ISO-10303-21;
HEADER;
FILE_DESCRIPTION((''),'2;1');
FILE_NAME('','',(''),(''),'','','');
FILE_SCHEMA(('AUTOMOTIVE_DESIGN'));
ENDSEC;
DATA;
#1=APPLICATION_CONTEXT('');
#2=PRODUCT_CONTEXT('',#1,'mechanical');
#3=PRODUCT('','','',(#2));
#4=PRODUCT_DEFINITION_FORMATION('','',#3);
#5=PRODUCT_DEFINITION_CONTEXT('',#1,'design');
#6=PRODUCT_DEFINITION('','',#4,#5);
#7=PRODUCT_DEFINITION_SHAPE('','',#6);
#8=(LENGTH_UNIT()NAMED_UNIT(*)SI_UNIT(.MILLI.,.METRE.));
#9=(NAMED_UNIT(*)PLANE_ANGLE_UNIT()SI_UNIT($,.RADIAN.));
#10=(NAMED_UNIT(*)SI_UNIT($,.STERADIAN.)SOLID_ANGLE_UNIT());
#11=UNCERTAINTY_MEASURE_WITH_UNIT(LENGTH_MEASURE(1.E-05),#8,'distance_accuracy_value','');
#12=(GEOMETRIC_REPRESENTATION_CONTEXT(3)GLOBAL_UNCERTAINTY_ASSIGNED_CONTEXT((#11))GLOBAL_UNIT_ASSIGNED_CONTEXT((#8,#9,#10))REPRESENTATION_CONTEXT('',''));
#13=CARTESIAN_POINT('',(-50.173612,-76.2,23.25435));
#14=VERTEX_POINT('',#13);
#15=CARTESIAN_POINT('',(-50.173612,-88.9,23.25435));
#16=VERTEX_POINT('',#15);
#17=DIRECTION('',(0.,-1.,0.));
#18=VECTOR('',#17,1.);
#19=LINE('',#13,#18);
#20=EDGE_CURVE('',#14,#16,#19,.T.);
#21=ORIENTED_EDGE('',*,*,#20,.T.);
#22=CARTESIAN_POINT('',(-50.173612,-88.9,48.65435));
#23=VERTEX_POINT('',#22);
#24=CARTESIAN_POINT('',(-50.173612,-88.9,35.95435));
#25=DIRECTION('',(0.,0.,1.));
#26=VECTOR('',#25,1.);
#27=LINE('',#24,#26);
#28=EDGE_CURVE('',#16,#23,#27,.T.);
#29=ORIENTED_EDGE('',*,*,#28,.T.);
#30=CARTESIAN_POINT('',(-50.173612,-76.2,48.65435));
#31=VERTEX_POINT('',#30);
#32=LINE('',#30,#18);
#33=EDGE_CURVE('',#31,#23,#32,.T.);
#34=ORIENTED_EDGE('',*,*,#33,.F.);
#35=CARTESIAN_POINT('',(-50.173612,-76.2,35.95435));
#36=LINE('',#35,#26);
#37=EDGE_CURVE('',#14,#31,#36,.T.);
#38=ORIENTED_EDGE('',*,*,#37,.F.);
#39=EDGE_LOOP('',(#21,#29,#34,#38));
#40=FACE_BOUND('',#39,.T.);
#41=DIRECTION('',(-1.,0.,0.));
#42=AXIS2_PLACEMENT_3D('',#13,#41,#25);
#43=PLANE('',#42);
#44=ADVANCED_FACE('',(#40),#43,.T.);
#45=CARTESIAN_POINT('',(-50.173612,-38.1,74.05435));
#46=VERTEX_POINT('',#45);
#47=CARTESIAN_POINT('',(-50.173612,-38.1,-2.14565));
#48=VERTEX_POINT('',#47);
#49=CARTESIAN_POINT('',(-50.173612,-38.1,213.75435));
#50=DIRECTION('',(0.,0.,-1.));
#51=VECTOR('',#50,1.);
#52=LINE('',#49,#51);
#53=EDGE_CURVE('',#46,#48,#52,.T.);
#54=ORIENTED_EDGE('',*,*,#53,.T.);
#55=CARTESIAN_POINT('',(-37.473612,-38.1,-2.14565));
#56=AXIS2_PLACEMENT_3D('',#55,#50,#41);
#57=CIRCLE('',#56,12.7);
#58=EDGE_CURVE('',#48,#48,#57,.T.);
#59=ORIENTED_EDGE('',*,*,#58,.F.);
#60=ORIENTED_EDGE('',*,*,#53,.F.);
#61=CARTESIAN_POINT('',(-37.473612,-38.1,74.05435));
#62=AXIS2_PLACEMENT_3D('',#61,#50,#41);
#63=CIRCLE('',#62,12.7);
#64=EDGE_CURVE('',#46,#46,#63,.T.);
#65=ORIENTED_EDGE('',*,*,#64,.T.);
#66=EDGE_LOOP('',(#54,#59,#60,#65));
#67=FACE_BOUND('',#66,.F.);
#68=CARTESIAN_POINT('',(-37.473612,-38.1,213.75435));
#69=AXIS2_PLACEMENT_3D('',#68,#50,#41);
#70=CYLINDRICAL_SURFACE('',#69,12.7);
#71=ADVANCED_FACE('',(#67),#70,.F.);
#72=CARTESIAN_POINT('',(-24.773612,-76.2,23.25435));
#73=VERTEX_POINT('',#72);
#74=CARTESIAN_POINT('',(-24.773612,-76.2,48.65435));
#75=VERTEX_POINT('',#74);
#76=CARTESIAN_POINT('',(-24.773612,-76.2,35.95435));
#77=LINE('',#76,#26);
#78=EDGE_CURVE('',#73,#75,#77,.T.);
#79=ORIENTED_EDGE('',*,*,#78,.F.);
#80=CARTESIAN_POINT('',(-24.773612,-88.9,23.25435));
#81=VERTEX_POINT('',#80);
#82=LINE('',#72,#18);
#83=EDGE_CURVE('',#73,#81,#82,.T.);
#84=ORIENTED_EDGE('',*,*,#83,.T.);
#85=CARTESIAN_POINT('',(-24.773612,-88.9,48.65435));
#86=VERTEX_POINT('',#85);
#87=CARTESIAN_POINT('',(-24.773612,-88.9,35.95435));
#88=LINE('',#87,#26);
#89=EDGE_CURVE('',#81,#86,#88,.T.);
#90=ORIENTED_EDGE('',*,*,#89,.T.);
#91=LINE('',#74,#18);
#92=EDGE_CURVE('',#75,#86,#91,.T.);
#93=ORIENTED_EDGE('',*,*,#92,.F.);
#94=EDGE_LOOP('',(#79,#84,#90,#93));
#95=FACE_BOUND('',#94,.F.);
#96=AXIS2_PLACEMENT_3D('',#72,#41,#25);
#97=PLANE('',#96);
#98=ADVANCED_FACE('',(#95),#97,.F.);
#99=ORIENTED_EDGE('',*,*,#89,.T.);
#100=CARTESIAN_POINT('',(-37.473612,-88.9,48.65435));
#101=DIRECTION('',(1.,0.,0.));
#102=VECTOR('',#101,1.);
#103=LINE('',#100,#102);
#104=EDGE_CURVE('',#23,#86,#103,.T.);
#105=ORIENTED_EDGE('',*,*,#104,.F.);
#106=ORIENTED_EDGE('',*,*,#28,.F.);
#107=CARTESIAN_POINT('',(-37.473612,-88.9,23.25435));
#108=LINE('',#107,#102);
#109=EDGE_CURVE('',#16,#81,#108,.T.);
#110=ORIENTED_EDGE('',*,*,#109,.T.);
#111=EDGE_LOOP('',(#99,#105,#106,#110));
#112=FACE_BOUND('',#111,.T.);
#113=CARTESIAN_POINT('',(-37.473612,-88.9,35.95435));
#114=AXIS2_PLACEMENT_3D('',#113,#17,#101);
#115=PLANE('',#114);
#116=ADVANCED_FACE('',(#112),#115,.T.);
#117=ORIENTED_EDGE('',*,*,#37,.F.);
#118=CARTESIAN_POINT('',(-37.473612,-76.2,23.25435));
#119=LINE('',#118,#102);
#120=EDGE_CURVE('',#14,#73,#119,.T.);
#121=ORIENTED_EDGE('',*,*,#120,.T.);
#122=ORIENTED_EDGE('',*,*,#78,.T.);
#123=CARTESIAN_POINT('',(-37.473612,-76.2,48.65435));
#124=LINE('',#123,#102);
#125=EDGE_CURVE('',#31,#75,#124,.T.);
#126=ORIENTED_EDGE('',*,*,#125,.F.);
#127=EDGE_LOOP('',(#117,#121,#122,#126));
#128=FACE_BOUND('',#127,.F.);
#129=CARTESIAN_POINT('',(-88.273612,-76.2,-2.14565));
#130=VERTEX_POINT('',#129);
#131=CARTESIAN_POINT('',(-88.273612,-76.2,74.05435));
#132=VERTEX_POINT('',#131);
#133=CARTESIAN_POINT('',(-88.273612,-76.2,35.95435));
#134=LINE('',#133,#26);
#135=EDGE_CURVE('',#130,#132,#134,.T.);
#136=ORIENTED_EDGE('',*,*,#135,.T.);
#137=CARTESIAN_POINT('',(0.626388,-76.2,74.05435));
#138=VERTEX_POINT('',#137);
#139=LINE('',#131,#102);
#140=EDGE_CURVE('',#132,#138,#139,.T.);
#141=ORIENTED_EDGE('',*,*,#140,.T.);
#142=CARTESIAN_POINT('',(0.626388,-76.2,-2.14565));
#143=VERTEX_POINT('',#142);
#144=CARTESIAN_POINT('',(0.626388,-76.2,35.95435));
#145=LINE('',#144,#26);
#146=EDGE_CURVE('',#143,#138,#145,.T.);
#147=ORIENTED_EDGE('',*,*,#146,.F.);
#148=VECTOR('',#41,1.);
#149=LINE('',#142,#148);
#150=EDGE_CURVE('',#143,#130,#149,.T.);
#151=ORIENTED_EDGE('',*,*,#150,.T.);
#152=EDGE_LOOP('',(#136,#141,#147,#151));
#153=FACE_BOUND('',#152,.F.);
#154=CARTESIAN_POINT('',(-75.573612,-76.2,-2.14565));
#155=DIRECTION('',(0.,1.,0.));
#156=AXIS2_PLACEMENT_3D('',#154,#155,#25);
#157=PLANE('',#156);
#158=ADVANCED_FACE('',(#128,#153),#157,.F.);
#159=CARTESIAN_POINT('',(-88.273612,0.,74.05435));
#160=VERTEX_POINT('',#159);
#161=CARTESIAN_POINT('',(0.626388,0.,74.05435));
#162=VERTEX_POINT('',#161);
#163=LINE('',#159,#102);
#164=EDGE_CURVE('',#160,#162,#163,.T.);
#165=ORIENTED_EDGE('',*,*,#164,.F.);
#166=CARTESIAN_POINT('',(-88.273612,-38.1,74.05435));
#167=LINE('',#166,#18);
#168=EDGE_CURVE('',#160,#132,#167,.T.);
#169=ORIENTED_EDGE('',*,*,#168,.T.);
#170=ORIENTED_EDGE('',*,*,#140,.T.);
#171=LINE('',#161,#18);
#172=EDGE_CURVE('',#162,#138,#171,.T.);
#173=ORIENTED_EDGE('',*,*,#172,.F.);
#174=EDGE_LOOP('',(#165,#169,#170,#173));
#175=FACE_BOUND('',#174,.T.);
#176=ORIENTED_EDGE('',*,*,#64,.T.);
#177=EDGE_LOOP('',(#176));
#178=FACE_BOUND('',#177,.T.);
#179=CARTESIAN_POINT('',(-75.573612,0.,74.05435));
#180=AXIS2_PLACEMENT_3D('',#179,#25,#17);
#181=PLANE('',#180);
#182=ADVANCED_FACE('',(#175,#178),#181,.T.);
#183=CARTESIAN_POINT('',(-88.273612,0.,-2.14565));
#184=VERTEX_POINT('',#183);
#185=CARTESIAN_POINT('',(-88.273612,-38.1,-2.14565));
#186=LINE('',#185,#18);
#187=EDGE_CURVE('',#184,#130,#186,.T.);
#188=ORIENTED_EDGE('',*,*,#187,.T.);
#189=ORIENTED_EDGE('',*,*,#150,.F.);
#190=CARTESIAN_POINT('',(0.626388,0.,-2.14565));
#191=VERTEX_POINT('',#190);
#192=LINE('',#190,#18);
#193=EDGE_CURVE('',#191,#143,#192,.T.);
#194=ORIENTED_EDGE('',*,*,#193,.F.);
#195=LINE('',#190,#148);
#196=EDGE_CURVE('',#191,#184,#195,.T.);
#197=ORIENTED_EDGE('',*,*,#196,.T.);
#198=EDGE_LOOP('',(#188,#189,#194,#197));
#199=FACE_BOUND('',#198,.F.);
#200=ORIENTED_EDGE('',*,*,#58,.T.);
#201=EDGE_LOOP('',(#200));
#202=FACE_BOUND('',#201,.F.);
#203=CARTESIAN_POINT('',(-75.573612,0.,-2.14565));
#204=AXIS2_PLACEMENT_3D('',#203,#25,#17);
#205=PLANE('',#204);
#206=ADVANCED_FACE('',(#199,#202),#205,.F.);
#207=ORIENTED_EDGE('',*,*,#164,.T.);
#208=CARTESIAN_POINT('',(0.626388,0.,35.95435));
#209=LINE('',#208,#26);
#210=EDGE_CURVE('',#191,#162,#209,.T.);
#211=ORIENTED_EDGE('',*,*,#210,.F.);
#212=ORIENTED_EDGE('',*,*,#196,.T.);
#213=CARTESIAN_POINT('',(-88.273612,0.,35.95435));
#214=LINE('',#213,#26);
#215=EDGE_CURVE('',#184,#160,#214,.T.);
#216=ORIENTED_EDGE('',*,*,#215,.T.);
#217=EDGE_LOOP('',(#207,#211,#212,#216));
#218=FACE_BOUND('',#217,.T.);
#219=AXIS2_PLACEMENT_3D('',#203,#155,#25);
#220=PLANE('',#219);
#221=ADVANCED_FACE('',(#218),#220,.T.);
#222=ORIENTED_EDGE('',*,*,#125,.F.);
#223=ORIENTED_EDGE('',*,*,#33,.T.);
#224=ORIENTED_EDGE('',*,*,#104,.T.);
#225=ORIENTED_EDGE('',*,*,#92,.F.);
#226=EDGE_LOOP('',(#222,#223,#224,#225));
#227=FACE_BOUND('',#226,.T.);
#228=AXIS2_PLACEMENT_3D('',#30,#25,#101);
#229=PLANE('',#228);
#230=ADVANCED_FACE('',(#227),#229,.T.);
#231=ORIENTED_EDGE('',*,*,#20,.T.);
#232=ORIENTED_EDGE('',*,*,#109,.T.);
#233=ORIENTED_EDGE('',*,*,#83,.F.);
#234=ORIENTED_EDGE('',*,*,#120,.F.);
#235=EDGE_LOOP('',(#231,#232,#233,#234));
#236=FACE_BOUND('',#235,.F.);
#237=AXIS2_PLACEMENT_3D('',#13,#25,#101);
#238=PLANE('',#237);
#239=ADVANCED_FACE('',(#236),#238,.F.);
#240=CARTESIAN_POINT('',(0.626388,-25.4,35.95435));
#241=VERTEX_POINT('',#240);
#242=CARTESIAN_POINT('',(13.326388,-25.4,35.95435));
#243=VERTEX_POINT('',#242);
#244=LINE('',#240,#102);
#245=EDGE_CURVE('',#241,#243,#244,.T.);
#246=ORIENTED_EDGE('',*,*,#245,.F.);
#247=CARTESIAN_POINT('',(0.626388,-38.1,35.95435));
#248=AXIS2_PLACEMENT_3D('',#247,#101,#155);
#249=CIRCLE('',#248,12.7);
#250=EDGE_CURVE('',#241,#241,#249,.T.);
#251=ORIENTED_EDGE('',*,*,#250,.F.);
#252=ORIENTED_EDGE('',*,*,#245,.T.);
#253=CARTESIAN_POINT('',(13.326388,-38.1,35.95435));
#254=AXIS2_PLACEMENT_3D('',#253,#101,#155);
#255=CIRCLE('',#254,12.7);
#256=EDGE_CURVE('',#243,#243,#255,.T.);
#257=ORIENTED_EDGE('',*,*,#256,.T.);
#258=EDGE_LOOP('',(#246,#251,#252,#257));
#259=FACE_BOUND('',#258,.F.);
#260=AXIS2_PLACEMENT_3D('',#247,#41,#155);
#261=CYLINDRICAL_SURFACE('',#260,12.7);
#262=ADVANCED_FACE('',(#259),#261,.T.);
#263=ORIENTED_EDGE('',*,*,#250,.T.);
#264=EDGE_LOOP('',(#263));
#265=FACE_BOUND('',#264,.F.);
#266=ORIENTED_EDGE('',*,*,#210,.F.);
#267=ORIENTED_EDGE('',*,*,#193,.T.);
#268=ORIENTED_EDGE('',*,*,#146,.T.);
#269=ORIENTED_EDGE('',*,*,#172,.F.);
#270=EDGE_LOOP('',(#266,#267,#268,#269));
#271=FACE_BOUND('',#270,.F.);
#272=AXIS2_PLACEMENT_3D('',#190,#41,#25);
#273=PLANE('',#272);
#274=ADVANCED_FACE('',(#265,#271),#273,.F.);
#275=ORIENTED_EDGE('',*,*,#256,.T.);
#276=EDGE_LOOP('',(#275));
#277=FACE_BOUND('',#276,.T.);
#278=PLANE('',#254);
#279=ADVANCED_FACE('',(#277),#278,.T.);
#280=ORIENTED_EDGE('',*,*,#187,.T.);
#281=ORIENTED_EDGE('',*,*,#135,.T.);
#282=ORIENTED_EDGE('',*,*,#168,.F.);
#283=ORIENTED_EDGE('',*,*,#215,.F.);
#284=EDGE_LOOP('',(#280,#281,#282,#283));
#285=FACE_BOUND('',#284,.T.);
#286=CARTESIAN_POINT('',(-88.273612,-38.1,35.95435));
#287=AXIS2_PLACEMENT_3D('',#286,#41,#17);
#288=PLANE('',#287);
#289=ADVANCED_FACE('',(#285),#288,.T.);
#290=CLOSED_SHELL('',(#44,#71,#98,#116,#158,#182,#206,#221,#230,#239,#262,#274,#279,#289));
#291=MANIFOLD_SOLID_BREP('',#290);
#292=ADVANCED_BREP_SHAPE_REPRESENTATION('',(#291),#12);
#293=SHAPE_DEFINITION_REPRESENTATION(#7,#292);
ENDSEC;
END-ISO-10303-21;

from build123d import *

# Parameters (mm, degrees)
F0_W     = 76.2
F0_H     = 76.2
F1_DEPTH = 76.2
F2_R     = 12.7
F3_DEPTH = 12.7
F5_D     = 25.4
F6_W     = 25.4
F6_H     = 25.4
F7_DEPTH = 12.7
F8_W     = 76.2
F8_H     = 76.2
F9_DEPTH = 12.7


with BuildPart() as f1:
    # F0 (on Front) → F1 (new body)
    with BuildSketch(Plane.XZ):
        with Locations((-37.473612465, 35.9543495976)):
            Rectangle(F0_W, F0_H)
    extrude(amount=F1_DEPTH)

    # F2 (on face) → F3 (join)
    with BuildSketch(Plane.YZ.offset(0.626387535)):
        with Locations((-38.1, 35.9543495976)):
            Circle(F2_R)
    extrude(amount=F3_DEPTH)

    # F5 (through all)
    with Locations(Plane.XY.offset(74.0543495976)):
        with Locations((-37.473612465, -38.1)):
            Hole(F5_D / 2)

    # F6 (on face) → F7 (join)
    with BuildSketch(Plane.XZ.offset(76.2)):
        with Locations((-37.473612465, 35.9543495976)):
            Rectangle(F6_W, F6_H)
    extrude(amount=F7_DEPTH)

    # F8 (on face) → F9 (join)
    with BuildSketch(Plane(origin=(-75.573612465, 0, 0), x_dir=(0, -1, 0), z_dir=(-1, 0, 0))):
        with Locations((38.1, 35.9543495976)):
            Rectangle(F8_W, F8_H)
        Polygon((23.0061305957, 44.0499627439), (48.0005134924, 48.5711156515), (39.4187553165, 24.6647686573), align=None, mode=Mode.SUBTRACT)
        Polygon((39.4187553165, 24.6647686573), (48.0005134924, 48.5711156515), (23.0061305957, 44.0499627439), align=None)
    extrude(amount=F9_DEPTH)


solid = f1.part
